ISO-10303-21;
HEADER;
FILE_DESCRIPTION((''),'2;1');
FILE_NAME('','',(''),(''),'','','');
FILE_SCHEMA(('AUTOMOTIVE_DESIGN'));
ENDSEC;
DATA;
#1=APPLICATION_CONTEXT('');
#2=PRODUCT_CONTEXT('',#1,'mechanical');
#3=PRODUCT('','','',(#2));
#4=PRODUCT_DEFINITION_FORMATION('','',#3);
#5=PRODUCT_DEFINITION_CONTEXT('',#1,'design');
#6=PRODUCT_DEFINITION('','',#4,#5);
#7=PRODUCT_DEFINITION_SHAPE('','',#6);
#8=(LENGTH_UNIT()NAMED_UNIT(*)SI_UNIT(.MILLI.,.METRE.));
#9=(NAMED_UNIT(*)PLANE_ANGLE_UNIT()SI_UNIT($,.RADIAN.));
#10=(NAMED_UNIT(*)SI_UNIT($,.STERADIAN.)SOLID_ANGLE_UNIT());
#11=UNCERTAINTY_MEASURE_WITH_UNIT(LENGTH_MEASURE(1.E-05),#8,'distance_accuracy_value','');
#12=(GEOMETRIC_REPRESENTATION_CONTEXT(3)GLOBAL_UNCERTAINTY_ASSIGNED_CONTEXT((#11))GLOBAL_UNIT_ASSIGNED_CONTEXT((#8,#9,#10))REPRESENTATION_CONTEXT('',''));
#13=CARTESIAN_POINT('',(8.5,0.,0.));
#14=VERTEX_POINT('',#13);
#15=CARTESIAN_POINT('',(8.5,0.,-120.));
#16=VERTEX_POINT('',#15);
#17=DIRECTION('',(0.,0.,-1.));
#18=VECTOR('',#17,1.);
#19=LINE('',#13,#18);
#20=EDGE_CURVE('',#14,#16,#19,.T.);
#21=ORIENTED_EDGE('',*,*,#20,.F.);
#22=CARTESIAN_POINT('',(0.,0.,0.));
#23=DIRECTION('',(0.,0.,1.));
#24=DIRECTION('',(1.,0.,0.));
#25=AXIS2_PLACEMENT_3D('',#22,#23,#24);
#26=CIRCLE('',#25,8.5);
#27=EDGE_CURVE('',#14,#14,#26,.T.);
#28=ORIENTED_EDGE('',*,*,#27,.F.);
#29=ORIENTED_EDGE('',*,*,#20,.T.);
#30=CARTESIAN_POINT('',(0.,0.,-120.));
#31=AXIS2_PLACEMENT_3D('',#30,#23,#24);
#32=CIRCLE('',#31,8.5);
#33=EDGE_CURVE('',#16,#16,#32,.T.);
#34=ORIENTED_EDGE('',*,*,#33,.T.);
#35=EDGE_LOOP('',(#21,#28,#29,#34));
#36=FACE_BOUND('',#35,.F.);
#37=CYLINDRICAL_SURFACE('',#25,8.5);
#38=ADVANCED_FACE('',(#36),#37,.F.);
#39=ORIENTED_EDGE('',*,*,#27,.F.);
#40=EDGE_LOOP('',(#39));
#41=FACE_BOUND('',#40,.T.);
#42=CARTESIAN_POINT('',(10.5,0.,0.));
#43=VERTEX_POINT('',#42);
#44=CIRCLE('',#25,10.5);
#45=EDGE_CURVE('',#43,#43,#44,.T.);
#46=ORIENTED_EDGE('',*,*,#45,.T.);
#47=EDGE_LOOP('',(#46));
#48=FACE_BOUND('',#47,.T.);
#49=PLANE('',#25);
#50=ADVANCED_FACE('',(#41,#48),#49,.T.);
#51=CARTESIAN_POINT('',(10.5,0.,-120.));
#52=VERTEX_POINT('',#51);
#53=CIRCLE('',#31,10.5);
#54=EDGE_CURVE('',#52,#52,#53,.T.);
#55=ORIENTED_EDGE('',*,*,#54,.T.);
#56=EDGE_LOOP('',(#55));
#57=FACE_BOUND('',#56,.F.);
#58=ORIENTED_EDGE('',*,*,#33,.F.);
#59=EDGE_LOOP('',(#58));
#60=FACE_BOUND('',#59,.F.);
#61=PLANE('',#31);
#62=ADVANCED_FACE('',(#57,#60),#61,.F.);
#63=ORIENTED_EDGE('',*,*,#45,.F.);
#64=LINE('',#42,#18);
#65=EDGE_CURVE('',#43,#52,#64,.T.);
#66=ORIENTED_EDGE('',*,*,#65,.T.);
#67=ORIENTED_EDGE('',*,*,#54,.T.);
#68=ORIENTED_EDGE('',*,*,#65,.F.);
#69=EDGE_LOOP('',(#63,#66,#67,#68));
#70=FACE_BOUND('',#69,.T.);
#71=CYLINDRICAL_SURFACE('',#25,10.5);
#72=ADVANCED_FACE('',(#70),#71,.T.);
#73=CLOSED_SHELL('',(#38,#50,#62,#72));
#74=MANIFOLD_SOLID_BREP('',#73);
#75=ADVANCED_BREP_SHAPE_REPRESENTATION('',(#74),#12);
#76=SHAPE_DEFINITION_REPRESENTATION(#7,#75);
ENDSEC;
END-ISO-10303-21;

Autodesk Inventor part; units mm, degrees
ref_plane "YZ Plane" through (0, 0, 0) normal (1, 0, 0) x (0, 1, 0)
ref_plane "XZ Plane" through (0, 0, 0) normal (0, 1, 0) x (-1, 0, 0)
ref_plane "XY Plane" through (0, 0, 0) normal (0, 0, 1) x (1, 0, 0)
sketch "Sketch11" plane through (0, 0, 0) normal (0, 0, 1) x (1, 0, 0)
  circle A0 centre (0, 0) radius 10.5
  circle A1 centre (0, 0) radius 8.5
  dimension "d187" = 21
  dimension "d188" = 2
extrude "Extrusion5" add sketch "Sketch11" against normal blind 120
properties part number "APN 757 FDS 1200 way tube 4" material "Stainless Steel"
